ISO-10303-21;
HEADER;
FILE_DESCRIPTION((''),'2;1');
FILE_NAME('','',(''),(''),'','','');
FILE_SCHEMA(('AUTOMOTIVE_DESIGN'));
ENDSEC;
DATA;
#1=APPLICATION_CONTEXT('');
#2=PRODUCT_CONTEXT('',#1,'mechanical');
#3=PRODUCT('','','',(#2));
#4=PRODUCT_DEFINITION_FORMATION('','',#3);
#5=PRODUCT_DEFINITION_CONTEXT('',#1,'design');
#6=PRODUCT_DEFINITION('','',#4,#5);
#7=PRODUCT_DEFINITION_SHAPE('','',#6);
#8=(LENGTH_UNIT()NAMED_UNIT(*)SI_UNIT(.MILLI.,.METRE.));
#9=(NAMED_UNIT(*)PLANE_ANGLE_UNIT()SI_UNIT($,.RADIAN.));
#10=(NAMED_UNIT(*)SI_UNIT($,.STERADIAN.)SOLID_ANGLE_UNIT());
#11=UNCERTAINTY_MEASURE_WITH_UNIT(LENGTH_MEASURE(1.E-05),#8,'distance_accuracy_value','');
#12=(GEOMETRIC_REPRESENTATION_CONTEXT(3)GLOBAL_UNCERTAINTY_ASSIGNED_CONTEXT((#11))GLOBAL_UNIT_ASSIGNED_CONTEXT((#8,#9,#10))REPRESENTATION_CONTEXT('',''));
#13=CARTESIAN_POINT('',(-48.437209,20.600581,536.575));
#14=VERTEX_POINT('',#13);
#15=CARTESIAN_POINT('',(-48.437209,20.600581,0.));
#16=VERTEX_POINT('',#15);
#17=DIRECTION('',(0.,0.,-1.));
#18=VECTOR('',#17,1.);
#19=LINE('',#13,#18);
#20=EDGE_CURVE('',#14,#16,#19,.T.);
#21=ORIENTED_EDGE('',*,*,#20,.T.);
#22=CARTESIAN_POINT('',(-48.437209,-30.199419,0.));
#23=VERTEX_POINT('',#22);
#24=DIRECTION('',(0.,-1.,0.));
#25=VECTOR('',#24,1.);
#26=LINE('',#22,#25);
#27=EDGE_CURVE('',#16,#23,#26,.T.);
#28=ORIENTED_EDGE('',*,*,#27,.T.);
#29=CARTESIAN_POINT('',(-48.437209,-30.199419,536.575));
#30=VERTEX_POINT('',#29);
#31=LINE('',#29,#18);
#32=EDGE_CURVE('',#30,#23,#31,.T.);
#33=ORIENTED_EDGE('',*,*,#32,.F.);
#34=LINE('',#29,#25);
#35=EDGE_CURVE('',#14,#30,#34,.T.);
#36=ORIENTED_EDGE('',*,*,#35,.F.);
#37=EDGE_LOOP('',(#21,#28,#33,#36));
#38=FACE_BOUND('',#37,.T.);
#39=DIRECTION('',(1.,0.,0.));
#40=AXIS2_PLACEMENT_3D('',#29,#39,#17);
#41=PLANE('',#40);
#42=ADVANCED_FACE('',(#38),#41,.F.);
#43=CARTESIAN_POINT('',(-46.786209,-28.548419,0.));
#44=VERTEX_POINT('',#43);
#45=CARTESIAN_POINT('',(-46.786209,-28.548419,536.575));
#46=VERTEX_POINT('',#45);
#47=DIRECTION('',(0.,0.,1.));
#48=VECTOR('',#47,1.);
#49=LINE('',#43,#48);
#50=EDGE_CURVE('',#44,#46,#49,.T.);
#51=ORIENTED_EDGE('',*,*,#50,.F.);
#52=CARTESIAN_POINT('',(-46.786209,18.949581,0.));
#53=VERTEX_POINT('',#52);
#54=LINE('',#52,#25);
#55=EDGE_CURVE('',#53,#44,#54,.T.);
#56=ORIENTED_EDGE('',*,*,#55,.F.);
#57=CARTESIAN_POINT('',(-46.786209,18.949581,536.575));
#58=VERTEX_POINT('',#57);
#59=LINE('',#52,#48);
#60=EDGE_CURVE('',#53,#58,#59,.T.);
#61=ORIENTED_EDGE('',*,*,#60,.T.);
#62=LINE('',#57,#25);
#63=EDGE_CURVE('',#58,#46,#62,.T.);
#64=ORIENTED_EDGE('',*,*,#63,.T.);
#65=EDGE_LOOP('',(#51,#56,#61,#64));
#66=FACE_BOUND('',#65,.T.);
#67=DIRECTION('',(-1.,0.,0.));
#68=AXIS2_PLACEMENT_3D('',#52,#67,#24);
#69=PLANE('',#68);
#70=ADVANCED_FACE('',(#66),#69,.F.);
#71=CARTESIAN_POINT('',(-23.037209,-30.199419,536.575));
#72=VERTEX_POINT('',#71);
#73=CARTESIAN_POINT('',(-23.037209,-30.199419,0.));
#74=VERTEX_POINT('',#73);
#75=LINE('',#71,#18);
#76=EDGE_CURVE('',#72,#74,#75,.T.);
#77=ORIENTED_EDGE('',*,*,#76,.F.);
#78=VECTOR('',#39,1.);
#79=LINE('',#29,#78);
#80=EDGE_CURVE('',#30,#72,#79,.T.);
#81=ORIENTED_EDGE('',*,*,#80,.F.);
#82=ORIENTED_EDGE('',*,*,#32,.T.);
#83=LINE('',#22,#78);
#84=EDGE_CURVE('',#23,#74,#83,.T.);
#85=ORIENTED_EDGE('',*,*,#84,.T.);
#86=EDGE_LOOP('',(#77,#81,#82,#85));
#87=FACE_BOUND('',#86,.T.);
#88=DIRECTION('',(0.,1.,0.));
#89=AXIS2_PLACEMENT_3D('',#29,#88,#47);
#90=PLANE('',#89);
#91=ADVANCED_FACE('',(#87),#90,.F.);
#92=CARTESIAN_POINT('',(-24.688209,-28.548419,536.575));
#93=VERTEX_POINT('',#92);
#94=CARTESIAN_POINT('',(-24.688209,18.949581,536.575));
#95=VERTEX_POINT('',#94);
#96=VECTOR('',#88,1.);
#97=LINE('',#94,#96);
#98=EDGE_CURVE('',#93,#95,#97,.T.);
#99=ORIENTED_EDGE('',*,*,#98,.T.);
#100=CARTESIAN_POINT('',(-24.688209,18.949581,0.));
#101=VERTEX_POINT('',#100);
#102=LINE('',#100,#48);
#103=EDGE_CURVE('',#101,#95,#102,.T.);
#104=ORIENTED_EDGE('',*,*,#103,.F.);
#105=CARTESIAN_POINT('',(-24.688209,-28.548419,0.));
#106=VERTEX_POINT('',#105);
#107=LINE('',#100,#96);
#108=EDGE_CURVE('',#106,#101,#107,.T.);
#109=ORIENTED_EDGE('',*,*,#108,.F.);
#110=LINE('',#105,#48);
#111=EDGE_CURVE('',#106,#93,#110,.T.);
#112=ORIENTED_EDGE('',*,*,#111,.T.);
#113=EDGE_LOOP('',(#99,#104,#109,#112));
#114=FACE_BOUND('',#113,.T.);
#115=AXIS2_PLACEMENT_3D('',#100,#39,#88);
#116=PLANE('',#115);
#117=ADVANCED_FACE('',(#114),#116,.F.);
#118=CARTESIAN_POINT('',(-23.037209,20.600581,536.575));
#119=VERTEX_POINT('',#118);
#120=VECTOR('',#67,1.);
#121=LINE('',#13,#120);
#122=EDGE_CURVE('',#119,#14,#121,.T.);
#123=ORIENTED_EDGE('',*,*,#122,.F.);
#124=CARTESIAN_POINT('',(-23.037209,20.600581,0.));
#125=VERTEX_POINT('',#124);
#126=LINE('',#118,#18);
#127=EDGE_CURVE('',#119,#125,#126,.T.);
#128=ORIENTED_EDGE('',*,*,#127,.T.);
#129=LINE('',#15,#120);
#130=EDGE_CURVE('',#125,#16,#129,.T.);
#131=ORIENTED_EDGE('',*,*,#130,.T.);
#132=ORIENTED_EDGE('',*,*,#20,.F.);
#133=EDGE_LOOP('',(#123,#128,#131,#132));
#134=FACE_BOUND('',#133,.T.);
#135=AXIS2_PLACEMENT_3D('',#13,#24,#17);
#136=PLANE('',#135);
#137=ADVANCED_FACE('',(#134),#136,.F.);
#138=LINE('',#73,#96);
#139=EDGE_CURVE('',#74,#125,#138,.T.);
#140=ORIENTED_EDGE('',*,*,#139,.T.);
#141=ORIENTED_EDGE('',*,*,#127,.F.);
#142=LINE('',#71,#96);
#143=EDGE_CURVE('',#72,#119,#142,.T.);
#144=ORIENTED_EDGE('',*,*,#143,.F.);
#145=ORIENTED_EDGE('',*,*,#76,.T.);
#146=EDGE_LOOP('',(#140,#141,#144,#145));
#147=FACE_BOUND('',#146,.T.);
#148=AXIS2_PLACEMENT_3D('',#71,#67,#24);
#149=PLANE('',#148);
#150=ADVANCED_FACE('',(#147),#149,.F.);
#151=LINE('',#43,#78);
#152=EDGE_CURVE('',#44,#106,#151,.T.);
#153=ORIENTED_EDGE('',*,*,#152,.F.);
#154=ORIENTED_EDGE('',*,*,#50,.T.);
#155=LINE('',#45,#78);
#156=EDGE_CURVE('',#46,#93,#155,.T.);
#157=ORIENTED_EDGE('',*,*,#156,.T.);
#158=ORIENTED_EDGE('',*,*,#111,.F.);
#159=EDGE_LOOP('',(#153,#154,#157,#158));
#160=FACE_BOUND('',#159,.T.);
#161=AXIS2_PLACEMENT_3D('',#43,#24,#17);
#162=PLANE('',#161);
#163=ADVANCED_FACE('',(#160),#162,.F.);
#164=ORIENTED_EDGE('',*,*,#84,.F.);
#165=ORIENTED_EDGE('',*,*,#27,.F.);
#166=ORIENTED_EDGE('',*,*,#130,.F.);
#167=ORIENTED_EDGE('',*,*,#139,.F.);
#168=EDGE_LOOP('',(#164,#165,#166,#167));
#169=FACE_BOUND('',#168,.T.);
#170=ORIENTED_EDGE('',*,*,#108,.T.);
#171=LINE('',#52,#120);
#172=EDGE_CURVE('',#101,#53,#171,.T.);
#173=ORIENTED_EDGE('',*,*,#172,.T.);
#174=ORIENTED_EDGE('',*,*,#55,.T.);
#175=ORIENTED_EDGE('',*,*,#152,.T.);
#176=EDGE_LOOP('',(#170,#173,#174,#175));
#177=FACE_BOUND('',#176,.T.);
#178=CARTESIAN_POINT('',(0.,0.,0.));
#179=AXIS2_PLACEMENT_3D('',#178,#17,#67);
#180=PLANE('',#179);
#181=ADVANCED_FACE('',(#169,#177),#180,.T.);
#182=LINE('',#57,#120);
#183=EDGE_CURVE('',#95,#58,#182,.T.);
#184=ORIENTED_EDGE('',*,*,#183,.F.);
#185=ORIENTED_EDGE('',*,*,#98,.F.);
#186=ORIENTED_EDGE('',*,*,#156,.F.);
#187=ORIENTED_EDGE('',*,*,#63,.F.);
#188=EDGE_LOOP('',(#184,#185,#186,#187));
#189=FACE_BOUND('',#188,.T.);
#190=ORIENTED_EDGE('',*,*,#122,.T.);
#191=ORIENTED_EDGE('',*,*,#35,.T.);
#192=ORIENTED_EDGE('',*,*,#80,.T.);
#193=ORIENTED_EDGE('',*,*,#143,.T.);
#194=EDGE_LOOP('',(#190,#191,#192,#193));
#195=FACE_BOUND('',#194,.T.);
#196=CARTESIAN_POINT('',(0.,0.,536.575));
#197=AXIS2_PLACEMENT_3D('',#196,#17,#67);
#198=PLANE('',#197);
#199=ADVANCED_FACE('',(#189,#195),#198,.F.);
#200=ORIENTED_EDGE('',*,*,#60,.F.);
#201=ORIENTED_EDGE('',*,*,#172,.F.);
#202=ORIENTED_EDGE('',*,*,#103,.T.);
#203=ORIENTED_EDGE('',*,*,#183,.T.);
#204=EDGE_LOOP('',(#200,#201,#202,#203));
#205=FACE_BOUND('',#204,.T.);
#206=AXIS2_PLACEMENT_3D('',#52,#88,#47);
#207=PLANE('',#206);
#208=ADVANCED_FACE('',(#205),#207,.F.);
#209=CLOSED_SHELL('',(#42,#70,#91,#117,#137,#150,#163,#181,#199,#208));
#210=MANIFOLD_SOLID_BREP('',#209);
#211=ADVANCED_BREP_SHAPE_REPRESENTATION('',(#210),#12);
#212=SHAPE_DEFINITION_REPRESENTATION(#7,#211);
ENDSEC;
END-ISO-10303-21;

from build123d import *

# Parameters (mm, degrees)
SKETCH1_W           = 25.4
SKETCH1_H           = 50.8
BOSS_EXTRUDE1_DEPTH = 536.575
SKETCH2_W           = 22.098
SKETCH2_H           = 47.498
CUT_EXTRUDE1_DEPTH  = 540.602537757


with BuildPart() as part:
    # Sketch1 → Boss-Extrude1 (new body)
    with BuildSketch(Plane.XY):
        with Locations((-35.737209302, -4.799418605)):
            Rectangle(SKETCH1_W, SKETCH1_H)
    extrude(amount=BOSS_EXTRUDE1_DEPTH)

    # Sketch2 → Cut-Extrude1 (cut, through all)
    with BuildSketch(Plane.XY.offset(536.575)):
        with Locations((-35.737209302, -4.799418605)):
            Rectangle(SKETCH2_W, SKETCH2_H)
    extrude(amount=-CUT_EXTRUDE1_DEPTH, mode=Mode.SUBTRACT)


solid = part.part
